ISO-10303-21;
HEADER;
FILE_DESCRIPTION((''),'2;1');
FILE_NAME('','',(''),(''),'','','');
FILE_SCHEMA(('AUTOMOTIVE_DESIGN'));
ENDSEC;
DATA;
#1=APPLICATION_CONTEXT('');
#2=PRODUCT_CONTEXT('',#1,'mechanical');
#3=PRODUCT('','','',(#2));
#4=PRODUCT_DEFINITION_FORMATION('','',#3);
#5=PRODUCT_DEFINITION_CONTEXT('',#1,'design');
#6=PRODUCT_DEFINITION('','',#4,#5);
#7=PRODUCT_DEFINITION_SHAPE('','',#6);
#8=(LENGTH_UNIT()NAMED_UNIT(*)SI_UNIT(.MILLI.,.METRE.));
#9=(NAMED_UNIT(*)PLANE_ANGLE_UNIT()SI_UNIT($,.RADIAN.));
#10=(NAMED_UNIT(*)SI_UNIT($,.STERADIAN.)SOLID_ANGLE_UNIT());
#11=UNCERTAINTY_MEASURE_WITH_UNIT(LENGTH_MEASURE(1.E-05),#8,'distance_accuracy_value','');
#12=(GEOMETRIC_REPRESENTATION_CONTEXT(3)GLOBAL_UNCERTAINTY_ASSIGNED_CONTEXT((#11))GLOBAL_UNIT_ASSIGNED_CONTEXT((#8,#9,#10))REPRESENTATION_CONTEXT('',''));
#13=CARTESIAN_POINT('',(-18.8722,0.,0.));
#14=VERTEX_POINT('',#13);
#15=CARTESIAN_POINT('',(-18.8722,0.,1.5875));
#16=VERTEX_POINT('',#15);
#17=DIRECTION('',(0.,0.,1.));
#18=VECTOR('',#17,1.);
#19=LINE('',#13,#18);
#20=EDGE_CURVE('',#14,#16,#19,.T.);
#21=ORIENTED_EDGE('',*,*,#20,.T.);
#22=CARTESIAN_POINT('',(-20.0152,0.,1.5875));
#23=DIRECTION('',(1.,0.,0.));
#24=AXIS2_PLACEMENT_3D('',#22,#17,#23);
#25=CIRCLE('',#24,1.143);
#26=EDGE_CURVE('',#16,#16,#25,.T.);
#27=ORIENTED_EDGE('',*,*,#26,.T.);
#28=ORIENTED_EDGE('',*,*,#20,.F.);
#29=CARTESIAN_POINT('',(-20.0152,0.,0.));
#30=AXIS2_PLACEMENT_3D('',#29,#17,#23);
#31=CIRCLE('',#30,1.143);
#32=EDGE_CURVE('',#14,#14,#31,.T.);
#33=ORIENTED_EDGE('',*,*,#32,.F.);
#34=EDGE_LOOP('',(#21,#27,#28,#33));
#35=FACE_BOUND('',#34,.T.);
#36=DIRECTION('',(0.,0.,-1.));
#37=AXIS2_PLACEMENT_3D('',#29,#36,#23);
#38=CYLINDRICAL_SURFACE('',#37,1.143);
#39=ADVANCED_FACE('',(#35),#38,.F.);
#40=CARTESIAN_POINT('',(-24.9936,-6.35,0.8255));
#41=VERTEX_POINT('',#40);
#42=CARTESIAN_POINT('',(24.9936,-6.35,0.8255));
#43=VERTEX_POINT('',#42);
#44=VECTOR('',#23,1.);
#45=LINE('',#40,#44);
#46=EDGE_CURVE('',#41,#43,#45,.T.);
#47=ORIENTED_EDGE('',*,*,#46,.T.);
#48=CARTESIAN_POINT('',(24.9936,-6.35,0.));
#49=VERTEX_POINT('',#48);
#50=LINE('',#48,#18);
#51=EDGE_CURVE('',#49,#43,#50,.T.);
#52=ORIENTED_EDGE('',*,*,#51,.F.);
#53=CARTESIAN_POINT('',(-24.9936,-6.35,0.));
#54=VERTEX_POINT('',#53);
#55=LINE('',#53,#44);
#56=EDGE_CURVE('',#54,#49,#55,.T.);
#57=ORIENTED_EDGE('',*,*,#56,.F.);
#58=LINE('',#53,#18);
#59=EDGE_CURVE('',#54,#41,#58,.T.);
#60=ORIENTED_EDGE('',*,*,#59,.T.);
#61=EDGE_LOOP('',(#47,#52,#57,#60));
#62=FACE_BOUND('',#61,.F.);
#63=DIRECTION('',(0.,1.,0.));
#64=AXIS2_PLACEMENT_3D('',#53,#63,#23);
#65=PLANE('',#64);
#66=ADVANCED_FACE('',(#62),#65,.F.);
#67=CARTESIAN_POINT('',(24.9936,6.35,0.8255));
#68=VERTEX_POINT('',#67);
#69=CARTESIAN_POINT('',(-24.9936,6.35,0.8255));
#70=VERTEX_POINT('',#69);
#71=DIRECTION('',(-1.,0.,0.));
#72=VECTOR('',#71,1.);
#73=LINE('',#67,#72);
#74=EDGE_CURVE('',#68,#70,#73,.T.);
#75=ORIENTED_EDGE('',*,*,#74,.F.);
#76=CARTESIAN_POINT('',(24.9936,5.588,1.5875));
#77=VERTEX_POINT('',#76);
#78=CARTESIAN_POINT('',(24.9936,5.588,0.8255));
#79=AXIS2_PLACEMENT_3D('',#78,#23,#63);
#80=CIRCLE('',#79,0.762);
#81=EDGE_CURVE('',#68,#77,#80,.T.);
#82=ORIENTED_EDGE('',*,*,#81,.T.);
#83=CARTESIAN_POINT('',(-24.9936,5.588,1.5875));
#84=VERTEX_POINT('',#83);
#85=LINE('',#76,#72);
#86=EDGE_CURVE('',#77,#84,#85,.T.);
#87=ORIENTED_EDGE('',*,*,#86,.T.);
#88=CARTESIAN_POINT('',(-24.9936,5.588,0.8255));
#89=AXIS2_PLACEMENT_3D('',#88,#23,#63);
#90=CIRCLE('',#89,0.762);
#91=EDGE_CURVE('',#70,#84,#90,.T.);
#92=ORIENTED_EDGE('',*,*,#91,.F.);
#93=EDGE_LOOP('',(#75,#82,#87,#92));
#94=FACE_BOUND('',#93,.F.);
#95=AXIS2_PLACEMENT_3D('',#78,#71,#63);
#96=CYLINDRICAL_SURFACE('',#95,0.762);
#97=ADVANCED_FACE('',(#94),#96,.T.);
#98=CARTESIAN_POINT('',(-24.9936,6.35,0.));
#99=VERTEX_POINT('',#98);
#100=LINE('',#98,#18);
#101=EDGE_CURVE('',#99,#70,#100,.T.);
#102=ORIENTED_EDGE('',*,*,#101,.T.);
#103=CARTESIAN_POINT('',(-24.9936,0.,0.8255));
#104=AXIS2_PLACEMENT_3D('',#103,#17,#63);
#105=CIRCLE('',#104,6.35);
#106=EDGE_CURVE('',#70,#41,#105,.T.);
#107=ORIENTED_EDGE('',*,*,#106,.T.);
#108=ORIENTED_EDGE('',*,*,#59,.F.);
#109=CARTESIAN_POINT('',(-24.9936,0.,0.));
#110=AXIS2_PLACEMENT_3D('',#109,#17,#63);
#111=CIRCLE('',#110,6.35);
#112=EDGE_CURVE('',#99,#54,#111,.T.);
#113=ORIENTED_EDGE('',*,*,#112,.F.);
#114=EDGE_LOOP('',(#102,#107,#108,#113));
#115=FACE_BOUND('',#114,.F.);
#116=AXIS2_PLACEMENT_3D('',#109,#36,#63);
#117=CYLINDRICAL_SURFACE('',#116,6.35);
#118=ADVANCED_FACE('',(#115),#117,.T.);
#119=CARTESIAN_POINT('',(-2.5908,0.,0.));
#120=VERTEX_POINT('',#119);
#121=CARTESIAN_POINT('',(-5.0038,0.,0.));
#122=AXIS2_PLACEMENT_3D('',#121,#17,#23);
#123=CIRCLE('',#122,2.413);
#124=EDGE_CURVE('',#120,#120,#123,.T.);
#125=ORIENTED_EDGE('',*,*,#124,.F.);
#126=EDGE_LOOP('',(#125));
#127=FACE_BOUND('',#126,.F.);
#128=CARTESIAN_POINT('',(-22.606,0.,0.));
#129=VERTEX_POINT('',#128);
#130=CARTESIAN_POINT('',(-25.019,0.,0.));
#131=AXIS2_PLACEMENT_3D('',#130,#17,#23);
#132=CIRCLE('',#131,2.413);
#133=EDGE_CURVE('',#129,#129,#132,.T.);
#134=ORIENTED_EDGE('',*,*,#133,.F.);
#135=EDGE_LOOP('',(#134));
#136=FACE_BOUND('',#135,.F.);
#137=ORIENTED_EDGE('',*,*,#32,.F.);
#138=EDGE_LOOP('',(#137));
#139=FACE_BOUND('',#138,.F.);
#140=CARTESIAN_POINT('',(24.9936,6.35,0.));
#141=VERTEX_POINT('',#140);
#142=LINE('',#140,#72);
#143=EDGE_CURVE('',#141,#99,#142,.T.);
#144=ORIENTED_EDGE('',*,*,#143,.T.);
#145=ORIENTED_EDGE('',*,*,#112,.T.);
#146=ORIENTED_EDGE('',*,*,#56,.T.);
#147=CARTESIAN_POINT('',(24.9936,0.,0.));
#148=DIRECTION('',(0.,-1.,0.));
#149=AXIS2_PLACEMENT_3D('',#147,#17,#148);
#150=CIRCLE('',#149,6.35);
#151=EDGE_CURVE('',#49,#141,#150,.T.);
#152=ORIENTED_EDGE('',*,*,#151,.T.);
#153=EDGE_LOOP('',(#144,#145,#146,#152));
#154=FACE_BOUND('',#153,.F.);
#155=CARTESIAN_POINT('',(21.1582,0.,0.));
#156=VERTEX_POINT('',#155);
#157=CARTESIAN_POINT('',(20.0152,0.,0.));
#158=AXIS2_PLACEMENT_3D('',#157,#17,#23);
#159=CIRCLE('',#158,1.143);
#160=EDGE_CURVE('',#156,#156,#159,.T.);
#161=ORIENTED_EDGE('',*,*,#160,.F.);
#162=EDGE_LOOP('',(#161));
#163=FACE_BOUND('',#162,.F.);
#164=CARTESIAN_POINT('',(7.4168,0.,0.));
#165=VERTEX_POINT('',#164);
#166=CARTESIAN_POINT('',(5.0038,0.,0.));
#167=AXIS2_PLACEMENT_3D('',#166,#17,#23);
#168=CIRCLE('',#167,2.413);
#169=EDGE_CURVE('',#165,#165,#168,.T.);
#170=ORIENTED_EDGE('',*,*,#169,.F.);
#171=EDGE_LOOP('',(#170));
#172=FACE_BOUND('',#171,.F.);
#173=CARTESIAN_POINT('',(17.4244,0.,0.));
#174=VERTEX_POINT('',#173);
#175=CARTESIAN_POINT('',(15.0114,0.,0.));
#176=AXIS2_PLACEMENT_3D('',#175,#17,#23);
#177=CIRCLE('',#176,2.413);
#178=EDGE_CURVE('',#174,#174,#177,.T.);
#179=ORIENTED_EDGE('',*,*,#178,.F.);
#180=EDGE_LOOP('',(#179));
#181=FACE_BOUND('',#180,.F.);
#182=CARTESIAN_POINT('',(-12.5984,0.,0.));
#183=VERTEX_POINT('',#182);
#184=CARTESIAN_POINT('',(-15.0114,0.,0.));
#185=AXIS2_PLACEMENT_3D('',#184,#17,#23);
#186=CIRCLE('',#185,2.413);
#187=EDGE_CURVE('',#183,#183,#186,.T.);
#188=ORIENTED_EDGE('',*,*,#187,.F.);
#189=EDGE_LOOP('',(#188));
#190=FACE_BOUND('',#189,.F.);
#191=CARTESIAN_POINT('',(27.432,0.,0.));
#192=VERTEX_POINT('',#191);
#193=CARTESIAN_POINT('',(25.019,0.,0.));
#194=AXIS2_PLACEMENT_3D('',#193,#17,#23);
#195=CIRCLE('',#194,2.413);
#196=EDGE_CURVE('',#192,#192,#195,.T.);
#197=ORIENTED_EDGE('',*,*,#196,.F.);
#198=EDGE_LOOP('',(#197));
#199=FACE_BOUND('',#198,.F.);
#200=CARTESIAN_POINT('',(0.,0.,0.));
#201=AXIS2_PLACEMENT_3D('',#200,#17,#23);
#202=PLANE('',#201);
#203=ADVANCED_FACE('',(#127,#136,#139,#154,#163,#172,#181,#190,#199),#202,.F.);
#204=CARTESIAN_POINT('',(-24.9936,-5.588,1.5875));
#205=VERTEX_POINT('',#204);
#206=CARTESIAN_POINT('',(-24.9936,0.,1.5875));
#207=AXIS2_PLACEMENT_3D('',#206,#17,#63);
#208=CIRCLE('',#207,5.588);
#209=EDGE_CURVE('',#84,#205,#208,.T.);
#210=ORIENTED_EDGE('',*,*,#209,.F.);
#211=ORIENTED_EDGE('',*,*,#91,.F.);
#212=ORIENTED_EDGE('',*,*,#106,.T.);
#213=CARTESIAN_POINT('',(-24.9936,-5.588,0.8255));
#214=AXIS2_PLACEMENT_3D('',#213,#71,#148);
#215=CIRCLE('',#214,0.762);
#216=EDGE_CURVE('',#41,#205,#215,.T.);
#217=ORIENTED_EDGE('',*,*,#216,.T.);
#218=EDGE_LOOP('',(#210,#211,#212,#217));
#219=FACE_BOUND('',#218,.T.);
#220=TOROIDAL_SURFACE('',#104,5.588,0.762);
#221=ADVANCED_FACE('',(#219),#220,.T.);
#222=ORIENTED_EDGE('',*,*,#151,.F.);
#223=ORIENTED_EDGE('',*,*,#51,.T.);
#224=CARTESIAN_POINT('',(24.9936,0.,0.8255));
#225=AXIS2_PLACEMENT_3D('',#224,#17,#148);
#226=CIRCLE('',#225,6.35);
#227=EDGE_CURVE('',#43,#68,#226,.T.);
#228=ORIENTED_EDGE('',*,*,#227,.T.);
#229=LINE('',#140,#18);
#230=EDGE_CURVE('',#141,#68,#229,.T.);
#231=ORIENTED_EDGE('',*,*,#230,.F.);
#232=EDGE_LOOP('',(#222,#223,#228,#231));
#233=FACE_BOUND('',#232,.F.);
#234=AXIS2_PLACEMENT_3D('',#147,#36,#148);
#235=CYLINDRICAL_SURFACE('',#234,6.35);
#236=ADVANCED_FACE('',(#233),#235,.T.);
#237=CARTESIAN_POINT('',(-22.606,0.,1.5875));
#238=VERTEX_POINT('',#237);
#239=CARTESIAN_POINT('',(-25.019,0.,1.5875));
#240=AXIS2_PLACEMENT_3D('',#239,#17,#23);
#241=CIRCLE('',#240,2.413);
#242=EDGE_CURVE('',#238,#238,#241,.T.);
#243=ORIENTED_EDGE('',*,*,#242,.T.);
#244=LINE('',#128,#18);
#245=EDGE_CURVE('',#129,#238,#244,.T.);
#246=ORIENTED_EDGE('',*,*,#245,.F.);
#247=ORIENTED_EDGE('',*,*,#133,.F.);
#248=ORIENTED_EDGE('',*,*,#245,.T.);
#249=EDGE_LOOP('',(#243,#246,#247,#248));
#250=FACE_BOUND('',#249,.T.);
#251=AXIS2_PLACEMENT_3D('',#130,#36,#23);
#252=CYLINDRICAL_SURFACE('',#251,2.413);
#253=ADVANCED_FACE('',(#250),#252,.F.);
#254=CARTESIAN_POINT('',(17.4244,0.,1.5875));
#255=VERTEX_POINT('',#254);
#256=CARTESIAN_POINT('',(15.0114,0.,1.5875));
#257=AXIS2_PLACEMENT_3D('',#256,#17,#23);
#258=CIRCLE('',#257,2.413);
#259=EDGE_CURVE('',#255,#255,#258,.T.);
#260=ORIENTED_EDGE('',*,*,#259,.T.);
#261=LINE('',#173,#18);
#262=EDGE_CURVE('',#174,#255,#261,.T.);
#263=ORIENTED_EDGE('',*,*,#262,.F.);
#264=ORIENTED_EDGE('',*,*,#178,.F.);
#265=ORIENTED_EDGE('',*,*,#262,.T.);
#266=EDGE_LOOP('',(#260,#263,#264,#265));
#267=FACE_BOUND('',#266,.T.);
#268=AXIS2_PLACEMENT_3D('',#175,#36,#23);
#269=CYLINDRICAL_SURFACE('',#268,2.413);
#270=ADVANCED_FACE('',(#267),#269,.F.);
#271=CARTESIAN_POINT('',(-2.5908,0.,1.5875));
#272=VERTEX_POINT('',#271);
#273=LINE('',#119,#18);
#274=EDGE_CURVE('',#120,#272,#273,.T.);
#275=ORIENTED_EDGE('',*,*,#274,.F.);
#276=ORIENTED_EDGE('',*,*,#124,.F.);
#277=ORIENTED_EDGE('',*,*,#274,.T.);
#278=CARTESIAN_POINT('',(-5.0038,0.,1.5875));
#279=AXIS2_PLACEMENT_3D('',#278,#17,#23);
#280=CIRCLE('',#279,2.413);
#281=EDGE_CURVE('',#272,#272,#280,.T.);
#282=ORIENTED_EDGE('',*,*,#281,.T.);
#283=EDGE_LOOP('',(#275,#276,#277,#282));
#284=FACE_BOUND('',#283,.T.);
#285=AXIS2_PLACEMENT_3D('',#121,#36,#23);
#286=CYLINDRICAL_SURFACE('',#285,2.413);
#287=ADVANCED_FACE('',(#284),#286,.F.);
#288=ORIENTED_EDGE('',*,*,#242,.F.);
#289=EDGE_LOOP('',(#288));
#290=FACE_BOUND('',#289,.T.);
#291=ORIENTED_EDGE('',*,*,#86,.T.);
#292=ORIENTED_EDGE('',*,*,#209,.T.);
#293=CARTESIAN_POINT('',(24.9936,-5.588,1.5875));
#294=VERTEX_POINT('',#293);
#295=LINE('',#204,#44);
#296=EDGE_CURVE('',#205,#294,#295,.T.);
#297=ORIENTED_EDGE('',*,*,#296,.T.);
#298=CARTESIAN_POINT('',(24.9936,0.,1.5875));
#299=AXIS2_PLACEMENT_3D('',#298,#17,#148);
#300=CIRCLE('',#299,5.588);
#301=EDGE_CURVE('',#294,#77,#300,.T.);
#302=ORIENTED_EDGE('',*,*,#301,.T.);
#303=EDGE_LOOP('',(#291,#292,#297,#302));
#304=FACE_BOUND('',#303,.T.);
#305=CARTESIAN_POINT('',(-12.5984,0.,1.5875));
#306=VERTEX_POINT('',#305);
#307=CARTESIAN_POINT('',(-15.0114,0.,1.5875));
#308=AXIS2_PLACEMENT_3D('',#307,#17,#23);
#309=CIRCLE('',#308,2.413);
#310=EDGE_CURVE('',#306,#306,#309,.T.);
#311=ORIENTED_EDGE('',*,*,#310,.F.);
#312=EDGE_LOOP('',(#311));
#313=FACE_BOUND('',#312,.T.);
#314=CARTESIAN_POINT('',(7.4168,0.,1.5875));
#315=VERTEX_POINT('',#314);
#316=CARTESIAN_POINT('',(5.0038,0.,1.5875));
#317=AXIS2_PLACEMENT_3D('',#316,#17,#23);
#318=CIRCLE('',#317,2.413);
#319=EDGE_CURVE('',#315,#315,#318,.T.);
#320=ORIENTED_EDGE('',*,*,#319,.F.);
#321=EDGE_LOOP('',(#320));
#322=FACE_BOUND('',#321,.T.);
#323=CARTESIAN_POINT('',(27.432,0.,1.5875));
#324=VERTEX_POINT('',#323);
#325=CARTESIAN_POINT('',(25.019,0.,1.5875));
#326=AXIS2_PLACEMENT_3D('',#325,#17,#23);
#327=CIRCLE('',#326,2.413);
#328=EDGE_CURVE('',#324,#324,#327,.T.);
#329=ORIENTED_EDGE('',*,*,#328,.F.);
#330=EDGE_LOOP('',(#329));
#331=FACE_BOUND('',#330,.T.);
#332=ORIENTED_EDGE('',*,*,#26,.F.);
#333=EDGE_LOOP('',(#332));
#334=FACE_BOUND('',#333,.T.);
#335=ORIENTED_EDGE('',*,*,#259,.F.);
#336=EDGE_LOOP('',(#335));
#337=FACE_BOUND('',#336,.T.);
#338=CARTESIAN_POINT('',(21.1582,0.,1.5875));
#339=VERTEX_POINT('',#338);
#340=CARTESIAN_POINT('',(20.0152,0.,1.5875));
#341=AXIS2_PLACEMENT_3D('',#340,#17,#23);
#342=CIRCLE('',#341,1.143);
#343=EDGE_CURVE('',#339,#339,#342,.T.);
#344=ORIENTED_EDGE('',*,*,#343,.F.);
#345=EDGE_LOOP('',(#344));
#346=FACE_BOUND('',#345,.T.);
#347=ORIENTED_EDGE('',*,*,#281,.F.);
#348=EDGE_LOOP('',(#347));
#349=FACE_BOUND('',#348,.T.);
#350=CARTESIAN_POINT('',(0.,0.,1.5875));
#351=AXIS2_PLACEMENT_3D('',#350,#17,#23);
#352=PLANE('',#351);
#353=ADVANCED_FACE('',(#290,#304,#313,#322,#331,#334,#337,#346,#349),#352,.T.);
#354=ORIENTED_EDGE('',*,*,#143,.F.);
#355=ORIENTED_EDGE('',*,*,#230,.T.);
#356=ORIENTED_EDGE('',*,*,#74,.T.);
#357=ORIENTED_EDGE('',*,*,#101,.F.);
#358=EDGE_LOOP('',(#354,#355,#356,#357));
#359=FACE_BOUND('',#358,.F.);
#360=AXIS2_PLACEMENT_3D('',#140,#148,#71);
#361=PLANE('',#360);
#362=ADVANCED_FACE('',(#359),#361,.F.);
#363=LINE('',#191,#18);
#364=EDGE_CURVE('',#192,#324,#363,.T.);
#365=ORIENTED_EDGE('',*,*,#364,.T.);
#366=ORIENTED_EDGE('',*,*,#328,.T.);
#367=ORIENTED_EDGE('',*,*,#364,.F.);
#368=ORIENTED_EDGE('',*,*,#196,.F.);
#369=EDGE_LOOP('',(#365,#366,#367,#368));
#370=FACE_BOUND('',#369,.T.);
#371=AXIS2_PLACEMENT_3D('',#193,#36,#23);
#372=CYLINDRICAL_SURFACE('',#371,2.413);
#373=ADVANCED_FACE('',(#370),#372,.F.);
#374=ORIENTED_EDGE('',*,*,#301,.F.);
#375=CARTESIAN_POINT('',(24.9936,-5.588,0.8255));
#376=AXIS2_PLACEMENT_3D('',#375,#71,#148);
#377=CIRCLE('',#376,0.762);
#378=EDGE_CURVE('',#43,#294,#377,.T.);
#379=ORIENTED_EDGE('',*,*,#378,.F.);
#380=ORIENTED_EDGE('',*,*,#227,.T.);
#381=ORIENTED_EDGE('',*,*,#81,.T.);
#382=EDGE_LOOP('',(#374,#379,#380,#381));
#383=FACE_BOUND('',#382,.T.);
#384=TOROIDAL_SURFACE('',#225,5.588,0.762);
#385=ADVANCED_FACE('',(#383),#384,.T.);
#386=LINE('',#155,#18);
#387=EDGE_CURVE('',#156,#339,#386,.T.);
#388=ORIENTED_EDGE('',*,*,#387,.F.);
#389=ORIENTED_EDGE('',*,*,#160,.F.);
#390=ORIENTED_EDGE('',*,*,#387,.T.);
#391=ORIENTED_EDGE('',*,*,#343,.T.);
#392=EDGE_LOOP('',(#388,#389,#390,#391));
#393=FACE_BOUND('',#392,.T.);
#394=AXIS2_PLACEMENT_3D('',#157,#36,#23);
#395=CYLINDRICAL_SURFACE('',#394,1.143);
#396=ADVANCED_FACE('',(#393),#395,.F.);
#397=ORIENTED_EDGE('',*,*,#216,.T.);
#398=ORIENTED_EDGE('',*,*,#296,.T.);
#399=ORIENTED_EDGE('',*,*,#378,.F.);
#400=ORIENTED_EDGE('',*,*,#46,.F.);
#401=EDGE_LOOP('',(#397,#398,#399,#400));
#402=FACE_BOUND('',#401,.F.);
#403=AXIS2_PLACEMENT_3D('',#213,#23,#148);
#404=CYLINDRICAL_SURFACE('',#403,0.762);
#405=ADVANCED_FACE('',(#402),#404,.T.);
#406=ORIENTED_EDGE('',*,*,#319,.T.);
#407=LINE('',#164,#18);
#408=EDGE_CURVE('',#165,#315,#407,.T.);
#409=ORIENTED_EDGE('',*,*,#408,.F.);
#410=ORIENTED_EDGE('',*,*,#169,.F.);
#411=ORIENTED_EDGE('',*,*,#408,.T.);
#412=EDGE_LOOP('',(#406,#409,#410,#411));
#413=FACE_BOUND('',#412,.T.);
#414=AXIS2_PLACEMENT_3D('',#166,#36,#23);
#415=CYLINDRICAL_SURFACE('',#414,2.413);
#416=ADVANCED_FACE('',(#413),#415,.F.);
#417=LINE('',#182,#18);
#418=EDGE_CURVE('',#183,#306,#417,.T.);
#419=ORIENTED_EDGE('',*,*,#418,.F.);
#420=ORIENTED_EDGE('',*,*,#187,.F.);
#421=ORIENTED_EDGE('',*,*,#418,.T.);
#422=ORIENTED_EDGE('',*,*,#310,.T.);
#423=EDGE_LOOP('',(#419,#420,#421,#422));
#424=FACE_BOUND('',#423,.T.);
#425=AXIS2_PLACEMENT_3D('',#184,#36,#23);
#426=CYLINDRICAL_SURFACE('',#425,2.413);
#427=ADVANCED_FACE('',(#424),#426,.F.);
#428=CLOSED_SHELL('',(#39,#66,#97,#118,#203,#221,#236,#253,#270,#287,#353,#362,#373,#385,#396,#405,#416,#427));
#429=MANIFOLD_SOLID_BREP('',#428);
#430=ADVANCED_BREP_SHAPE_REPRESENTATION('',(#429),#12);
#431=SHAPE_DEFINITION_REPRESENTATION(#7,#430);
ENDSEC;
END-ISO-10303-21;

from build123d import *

# Parameters (mm, degrees)
F0_R     = 2.413
F0_R_2   = 1.143
F1_DEPTH = 1.5875
F2_R     = 0.762


with BuildPart() as f1:
    # F0 (on Top) → F1 (new body)
    with BuildSketch(Plane.XY):
        with BuildLine():
            Line((24.9936, 6.35), (0, 6.35))
            Line((0, 6.35), (-24.9936, 6.35))
            ThreePointArc((-24.9936, 6.35), (-31.3436, 0), (-24.9936, -6.35))
            Line((-24.9936, -6.35), (0, -6.35))
            Line((0, -6.35), (24.9936, -6.35))
            ThreePointArc((24.9936, -6.35), (31.3436, 0), (24.9936, 6.35))
        make_face()
        with Locations((-25.019, 0)):
            Circle(F0_R, mode=Mode.SUBTRACT)
        with Locations((-20.0152, 0)):
            Circle(F0_R_2, mode=Mode.SUBTRACT)
        with Locations((-15.0114, 0)):
            Circle(F0_R, mode=Mode.SUBTRACT)
        with Locations((-5.0038, 0)):
            Circle(F0_R, mode=Mode.SUBTRACT)
        with Locations((5.0038, 0)):
            Circle(F0_R, mode=Mode.SUBTRACT)
        with Locations((15.0114, 0)):
            Circle(F0_R, mode=Mode.SUBTRACT)
        with Locations((20.0152, 0)):
            Circle(F0_R_2, mode=Mode.SUBTRACT)
        with Locations((25.019, 0)):
            Circle(F0_R, mode=Mode.SUBTRACT)
    extrude(amount=F1_DEPTH)

    # F2
    f2_edges = [f1.edges().sort_by_distance(p)[0] for p in [
        (-31.3436, 0, 1.5875),
    ]]
    fillet(f2_edges, radius=F2_R)


solid = f1.part
